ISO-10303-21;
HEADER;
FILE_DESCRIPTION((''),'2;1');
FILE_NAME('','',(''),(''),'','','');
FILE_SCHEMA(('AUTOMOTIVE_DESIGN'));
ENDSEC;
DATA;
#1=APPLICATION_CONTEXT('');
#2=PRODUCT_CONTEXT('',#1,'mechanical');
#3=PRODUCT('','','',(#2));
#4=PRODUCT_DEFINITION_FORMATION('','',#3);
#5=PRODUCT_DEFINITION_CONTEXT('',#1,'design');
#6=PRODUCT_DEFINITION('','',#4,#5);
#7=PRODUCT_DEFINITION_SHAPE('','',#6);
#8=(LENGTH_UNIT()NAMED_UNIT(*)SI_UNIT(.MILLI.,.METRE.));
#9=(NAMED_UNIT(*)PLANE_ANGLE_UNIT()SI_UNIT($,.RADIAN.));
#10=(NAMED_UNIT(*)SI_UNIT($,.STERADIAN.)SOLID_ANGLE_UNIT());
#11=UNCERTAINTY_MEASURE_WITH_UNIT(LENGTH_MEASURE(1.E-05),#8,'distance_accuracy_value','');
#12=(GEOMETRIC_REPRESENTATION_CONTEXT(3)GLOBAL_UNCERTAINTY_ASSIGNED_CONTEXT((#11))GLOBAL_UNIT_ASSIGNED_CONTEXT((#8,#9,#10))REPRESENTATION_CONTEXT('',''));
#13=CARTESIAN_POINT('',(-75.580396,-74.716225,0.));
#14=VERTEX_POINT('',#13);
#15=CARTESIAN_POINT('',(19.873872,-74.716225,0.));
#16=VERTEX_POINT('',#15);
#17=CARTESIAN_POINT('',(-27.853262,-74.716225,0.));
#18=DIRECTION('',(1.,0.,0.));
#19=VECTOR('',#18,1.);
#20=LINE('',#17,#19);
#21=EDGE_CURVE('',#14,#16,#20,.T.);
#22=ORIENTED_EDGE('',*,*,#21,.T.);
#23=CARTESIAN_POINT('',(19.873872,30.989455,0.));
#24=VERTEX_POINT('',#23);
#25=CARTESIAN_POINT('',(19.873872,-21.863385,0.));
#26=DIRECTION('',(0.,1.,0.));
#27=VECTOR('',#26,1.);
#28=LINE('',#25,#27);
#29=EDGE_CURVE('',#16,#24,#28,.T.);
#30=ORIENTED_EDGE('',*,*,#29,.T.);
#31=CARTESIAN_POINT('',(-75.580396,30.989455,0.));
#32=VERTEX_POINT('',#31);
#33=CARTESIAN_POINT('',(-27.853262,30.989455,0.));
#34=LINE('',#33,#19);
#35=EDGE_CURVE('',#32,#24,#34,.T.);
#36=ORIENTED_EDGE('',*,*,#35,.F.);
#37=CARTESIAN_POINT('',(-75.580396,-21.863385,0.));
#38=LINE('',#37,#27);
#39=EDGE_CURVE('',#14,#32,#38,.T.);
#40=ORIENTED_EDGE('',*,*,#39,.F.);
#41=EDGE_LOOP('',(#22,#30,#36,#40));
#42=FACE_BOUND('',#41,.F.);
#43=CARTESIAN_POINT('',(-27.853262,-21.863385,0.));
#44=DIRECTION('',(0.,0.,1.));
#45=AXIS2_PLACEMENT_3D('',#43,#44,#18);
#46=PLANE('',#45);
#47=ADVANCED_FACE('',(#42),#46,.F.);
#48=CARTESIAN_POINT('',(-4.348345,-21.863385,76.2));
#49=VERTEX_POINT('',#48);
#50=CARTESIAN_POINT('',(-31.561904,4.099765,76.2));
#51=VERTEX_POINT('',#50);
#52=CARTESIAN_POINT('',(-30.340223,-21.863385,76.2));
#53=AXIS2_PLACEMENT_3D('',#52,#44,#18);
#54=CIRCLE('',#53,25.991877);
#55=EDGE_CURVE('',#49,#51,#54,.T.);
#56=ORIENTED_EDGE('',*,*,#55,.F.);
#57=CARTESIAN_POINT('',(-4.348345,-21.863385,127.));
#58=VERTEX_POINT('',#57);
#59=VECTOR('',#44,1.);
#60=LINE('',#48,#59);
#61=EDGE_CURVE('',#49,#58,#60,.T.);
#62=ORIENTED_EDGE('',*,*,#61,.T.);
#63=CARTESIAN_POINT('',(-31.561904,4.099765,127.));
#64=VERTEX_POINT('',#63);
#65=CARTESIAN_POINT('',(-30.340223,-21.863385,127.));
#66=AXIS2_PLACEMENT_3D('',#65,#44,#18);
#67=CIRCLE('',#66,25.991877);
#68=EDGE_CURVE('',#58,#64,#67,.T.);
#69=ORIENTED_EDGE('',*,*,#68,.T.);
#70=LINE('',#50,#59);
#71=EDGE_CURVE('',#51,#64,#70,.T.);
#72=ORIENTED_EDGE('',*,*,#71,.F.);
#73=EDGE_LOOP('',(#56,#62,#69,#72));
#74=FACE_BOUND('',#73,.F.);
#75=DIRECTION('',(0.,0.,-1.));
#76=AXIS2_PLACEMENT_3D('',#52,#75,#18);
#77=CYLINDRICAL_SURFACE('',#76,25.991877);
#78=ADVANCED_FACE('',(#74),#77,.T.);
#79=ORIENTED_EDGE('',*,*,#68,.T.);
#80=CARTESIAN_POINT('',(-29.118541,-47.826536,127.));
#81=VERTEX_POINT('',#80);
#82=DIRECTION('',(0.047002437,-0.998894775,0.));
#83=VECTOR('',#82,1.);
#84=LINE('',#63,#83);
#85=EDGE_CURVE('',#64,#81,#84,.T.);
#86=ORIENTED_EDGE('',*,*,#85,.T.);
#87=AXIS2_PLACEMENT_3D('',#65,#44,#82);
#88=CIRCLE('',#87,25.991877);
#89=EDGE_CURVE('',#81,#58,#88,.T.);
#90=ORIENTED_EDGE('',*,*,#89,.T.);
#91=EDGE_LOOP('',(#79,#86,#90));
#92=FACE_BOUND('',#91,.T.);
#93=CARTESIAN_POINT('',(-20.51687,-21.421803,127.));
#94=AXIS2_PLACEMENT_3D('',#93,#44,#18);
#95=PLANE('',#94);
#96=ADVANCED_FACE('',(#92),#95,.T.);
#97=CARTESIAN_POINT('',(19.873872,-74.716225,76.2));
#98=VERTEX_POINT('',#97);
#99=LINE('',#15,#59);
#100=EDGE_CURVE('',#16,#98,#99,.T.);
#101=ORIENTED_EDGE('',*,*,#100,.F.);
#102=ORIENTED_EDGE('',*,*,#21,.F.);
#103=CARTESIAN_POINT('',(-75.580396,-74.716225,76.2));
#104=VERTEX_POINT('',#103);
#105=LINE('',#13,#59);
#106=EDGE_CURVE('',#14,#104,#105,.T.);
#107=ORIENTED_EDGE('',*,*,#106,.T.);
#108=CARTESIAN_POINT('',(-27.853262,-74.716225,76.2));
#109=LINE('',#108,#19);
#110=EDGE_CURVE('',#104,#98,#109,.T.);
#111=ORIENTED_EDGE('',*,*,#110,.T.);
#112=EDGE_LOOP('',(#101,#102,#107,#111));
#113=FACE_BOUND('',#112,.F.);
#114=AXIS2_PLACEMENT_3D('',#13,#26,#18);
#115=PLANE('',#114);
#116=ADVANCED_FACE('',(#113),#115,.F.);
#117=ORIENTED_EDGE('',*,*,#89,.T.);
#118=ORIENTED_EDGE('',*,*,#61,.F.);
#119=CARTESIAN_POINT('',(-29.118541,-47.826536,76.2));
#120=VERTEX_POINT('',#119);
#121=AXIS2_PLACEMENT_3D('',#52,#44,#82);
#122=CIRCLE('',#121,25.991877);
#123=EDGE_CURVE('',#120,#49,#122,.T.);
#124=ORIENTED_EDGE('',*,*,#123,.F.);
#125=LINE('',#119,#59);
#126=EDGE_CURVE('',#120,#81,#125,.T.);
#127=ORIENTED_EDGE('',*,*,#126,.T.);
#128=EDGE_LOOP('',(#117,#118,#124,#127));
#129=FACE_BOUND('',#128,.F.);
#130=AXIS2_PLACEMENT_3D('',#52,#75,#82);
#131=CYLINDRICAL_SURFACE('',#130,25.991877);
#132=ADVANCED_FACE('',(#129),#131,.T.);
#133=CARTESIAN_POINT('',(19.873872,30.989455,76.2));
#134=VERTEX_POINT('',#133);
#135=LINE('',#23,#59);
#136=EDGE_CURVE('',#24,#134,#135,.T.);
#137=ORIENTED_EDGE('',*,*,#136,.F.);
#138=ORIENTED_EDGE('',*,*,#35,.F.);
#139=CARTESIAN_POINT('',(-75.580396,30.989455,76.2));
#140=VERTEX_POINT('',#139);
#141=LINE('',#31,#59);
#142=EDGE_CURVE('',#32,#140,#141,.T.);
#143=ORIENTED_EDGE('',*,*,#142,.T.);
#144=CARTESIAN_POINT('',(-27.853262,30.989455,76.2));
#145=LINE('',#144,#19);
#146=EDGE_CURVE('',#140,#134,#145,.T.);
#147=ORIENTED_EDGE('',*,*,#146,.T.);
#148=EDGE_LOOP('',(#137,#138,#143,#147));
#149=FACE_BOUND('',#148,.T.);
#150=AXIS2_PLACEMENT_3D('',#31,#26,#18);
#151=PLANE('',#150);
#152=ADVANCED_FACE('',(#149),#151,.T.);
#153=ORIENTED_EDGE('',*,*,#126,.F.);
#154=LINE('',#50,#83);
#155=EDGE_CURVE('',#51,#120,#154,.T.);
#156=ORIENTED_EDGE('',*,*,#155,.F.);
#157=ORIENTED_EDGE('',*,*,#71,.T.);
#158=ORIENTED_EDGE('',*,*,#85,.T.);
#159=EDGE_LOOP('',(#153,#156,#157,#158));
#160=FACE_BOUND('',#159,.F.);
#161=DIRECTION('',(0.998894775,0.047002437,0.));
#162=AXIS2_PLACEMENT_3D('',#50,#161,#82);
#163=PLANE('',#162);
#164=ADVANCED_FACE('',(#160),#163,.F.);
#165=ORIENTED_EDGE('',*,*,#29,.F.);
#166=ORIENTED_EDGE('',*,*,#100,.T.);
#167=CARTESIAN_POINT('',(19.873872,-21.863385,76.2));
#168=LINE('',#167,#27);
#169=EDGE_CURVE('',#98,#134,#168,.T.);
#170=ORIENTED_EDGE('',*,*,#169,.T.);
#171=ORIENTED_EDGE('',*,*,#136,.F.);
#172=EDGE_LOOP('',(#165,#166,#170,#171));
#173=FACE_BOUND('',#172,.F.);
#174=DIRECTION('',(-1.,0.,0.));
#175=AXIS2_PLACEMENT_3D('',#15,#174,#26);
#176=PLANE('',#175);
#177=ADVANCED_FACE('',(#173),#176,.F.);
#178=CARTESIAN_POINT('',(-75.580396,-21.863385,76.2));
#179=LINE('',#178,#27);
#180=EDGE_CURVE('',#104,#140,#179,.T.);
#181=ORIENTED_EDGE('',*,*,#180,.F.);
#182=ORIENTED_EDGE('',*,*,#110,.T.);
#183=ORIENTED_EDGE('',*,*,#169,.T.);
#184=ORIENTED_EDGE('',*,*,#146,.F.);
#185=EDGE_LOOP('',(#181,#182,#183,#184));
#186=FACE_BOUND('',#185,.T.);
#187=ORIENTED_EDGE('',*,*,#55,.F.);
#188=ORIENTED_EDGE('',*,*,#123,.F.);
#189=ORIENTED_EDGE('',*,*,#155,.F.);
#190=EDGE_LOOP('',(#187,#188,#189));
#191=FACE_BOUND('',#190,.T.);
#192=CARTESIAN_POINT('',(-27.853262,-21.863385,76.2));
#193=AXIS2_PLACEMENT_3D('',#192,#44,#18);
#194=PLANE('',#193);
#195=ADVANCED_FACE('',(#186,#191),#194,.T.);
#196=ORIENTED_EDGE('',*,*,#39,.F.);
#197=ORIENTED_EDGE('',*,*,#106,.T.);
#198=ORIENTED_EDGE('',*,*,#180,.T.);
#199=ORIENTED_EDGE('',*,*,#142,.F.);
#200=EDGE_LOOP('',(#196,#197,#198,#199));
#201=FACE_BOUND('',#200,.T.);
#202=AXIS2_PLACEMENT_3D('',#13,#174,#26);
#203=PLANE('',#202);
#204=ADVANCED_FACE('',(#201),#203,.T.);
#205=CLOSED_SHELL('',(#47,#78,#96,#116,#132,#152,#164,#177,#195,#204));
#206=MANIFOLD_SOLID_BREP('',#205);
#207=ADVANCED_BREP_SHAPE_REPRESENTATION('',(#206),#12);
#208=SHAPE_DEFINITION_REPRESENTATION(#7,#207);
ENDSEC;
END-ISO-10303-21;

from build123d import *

# Parameters (mm, degrees)
F0_W     = 95.4542681575
F0_H     = 105.7056803256
F1_DEPTH = 76.2
F3_DEPTH = 50.8


with BuildPart() as f1:
    # F0 (on Top) → F1 (new body)
    with BuildSketch(Plane.XY):
        with Locations((-27.8532616794, -21.8633851036)):
            Rectangle(F0_W, F0_H)
    extrude(amount=F1_DEPTH)

    # F2 (on face) → F3 (join)
    with BuildSketch(Plane.XY.offset(76.2)):
        with BuildLine():
            ThreePointArc((-4.3483452884, -21.8633851036), (-12.3983179162, -3.0573822541), (-31.5619042296, 4.0997653688))
            Line((-31.5619042296, 4.0997653688), (-29.1185410541, -47.8265355761))
            ThreePointArc((-29.1185410541, -47.8265355761), (-11.5342197923, -39.8052898292), (-4.3483452884, -21.8633851036))
        make_face()
    extrude(amount=F3_DEPTH)


solid = f1.part
